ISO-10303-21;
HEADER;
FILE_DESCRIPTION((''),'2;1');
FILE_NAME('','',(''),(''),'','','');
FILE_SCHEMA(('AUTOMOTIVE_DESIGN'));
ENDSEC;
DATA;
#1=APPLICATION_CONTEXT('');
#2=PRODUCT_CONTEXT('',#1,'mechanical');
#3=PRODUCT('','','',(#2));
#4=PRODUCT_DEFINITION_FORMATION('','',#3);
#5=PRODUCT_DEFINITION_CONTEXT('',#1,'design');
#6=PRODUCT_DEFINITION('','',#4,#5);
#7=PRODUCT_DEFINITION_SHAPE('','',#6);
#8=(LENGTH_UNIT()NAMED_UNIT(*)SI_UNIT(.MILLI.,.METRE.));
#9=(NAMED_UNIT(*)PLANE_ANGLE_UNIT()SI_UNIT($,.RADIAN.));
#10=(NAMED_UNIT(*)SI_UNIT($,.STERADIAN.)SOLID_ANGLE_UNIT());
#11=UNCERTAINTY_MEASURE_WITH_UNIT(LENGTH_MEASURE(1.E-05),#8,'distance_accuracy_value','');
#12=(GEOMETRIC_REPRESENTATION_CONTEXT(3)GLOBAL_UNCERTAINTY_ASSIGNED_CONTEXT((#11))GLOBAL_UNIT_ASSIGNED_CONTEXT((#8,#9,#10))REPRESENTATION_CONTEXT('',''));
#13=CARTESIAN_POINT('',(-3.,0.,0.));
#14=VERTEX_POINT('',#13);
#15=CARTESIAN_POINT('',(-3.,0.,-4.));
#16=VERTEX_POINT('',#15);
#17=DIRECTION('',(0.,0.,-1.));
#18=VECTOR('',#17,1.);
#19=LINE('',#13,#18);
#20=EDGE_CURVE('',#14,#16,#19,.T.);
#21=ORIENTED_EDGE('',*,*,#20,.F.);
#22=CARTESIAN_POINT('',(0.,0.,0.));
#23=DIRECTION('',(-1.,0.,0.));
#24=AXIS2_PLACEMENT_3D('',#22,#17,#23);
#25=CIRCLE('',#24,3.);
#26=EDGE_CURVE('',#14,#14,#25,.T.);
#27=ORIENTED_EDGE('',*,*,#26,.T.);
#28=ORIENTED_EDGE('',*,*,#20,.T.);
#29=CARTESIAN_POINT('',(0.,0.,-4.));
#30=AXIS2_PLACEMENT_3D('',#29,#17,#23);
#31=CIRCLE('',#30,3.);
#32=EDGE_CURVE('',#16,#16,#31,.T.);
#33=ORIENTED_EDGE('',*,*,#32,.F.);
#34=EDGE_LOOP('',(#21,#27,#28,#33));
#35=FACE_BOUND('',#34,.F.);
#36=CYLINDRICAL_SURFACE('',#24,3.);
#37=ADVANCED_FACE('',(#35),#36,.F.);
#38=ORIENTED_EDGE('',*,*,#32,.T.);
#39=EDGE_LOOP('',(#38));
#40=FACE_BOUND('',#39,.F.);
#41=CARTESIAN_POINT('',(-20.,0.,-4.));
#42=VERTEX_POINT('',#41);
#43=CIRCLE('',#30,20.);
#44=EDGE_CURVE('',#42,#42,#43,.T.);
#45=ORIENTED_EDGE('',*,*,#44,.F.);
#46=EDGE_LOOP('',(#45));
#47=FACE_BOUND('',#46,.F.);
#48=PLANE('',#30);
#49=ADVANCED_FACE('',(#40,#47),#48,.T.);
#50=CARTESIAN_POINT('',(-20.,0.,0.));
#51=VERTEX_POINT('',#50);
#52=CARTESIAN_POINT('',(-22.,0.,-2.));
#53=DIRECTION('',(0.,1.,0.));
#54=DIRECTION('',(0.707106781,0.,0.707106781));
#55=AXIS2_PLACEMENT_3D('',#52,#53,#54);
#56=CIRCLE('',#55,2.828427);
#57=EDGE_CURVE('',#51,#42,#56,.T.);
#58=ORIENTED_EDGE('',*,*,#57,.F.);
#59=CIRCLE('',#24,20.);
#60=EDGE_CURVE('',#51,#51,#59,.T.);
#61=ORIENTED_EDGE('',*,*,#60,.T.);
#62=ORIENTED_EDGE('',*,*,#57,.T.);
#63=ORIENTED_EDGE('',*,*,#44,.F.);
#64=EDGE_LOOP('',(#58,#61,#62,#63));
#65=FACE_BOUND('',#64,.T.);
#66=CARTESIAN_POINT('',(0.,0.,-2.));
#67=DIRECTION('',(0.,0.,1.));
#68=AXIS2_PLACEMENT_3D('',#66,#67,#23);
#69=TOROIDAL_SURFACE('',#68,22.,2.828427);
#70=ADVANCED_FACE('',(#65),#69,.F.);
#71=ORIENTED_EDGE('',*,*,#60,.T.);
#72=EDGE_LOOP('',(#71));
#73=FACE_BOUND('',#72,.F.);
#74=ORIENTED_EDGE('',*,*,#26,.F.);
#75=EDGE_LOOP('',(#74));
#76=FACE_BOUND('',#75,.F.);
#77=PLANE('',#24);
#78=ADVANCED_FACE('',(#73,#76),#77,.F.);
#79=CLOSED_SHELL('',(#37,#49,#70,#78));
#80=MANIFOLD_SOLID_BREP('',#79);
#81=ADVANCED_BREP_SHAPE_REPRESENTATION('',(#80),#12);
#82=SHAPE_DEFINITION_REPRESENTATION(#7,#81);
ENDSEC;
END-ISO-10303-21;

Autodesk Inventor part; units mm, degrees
ref_plane "YZ Plane" through (0, 0, 0) normal (1, 0, 0) x (0, 1, 0)
ref_plane "XZ Plane" through (0, 0, 0) normal (0, 1, 0) x (-1, 0, 0)
ref_plane "XY Plane" through (0, 0, 0) normal (0, 0, 1) x (1, 0, 0)
sketch "Sketch2" plane through (0, 0, 0) normal (0, 1, 0) x (-1, 0, 0)
  line L0 (20, 0) -> (0, 0)
  line L1 (0, 0) -> (0, -4) construction
  line L2 (0, -4) -> (20, -4)
  line L3 (20, -4) -> (20, 0) construction
  arc A0 (20, 0) -> (20, -4) centre (22, -2) ccw
  line L4 (3, 0) -> (3, -4)
  point P0 (20, -2)
  dimension "cabel_roller_width" = 4
  dimension "cabel_roller_OR" = 20
  dimension "cabel_roller_IR" = 3
  dimension "d4" = 90
revolve "Revolution1" add sketch "Sketch2" angle 360 about axis through (0, 0, 0) along (0, 0, -1)
equation "\"cabel_roller_OR\" = cabel_roller_OD"
equation "\"cabel_roller_IR\" = 0.5 * cabel_roller_ID"
equation "\"cabel_roller_OD\" = 20"
equation "\"cabel_roller_ID\" = 6"
properties part number "cable_roller"
